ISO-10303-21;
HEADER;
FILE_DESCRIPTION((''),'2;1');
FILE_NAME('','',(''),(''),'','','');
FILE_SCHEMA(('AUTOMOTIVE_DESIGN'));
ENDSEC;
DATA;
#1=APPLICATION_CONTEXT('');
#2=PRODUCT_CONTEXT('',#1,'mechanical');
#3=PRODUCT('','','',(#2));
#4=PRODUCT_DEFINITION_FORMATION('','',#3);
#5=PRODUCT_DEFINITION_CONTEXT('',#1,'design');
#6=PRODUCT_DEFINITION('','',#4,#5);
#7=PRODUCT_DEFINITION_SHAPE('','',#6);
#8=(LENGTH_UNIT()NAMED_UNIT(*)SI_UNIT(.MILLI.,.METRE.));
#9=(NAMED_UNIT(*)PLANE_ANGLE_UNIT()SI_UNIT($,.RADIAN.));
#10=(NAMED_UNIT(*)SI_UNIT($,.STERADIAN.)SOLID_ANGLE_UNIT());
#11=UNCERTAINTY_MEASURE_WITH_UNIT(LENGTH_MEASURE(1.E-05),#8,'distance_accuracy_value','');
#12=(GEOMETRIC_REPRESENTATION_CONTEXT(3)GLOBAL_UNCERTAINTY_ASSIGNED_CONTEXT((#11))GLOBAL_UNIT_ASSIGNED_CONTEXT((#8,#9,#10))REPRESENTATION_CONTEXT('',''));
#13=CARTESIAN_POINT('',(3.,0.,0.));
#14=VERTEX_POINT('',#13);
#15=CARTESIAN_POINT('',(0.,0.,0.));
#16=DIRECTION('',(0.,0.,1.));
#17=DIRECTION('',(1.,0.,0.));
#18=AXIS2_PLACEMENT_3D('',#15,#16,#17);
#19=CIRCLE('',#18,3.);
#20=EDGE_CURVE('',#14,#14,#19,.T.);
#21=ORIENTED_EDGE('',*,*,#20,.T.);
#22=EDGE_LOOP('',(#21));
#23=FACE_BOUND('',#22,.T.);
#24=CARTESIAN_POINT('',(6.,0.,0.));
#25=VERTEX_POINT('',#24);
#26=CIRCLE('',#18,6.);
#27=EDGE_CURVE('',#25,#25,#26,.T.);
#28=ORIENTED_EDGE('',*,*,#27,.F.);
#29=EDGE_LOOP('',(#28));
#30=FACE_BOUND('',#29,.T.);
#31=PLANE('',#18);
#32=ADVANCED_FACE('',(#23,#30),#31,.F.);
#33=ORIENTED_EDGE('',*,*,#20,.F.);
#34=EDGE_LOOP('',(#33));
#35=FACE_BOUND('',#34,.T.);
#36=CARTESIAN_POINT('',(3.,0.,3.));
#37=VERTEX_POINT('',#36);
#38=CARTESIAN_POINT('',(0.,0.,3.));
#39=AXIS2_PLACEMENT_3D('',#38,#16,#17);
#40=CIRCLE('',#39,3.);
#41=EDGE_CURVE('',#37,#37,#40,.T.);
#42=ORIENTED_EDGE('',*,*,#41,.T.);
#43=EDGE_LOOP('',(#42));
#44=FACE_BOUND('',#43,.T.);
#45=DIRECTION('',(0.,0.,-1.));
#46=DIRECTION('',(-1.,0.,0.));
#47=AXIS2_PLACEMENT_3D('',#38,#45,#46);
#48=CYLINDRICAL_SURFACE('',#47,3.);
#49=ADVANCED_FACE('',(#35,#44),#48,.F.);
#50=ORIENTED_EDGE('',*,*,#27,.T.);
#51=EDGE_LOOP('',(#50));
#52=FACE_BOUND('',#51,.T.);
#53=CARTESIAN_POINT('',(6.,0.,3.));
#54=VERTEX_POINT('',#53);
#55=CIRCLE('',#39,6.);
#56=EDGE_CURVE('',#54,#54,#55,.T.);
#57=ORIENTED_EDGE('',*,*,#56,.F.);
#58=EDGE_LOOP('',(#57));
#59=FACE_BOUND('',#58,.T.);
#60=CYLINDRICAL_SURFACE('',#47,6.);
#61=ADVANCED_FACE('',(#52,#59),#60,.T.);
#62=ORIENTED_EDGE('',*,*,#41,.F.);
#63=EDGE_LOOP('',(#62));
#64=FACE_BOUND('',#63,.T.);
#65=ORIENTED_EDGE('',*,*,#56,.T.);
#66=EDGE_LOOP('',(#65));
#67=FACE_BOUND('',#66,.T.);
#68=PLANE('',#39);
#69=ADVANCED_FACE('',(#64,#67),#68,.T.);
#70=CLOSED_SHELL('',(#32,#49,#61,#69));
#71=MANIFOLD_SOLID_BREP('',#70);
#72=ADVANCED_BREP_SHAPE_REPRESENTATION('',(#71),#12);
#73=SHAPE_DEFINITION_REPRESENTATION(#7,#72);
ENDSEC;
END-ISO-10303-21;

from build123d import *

# Parameters (mm, degrees)
SKETCH_2_R      = 6
SKETCH_2_R_2    = 3
EXTRUDE_1_DEPTH = 3


with BuildPart() as part:
    # 草图2 → 凸台-拉伸1 (new body)
    with BuildSketch(Plane.XY):
        Circle(SKETCH_2_R)
        Circle(SKETCH_2_R_2, mode=Mode.SUBTRACT)
    extrude(amount=EXTRUDE_1_DEPTH)


solid = part.part
